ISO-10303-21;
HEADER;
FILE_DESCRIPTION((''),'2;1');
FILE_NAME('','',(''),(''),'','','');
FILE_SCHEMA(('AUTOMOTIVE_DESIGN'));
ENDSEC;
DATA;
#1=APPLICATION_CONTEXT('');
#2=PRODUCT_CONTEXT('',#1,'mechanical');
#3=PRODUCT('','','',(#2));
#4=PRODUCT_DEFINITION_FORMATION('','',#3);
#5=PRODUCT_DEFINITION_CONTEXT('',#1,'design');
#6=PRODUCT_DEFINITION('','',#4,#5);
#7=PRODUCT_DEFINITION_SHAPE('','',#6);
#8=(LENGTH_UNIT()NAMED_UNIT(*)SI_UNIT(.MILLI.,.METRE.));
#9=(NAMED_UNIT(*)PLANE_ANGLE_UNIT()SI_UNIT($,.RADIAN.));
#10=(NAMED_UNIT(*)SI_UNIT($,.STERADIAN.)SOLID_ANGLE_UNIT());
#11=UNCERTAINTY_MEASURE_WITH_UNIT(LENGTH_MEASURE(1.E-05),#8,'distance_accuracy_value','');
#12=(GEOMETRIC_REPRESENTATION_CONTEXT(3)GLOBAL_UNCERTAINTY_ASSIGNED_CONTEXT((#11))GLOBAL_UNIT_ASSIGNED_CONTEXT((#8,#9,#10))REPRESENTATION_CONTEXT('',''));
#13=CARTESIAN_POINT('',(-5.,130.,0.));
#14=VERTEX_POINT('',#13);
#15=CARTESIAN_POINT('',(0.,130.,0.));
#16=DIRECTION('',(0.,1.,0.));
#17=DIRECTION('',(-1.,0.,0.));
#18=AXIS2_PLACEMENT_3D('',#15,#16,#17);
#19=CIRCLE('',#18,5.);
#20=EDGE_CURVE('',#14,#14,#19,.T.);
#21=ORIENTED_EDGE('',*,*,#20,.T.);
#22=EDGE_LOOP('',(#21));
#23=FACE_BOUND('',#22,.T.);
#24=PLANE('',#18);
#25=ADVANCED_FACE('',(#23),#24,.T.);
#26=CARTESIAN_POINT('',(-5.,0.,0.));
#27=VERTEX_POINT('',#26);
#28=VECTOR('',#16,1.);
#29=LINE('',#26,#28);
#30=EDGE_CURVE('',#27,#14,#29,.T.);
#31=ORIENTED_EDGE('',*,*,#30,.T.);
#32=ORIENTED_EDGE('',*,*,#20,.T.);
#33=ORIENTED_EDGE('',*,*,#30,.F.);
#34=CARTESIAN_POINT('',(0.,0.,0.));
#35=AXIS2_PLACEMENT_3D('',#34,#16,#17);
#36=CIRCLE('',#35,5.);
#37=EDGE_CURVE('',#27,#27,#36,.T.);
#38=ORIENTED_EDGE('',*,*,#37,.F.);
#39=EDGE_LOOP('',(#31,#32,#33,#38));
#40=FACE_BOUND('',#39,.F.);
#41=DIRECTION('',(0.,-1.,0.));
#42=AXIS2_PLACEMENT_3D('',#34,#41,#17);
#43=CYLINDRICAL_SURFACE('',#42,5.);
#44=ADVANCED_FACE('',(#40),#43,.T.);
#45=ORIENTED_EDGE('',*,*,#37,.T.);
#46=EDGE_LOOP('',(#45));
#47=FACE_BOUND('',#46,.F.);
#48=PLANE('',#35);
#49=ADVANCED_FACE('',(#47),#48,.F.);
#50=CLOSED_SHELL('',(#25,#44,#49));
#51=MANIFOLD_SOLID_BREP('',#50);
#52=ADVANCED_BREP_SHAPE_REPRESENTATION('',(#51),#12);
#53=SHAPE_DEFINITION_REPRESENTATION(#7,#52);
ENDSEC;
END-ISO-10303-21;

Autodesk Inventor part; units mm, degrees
ref_plane "YZ Plane" through (0, 0, 0) normal (1, 0, 0) x (0, 1, 0)
ref_plane "XZ Plane" through (0, 0, 0) normal (0, 1, 0) x (-1, 0, 0)
ref_plane "XY Plane" through (0, 0, 0) normal (0, 0, 1) x (1, 0, 0)
sketch "Sketch1" plane through (0, 0, 0) normal (0, 1, 0) x (-1, 0, 0)
  circle A0 centre (0, 0) radius 5
  dimension "d0" = 10
extrude "Extrusion1" add sketch "Sketch1" along normal blind 130
thread "Thread1" size "M10x1.5" class "6g" standard "ANSI Metric M Profile" full length
properties part number "plinthAnchor"
